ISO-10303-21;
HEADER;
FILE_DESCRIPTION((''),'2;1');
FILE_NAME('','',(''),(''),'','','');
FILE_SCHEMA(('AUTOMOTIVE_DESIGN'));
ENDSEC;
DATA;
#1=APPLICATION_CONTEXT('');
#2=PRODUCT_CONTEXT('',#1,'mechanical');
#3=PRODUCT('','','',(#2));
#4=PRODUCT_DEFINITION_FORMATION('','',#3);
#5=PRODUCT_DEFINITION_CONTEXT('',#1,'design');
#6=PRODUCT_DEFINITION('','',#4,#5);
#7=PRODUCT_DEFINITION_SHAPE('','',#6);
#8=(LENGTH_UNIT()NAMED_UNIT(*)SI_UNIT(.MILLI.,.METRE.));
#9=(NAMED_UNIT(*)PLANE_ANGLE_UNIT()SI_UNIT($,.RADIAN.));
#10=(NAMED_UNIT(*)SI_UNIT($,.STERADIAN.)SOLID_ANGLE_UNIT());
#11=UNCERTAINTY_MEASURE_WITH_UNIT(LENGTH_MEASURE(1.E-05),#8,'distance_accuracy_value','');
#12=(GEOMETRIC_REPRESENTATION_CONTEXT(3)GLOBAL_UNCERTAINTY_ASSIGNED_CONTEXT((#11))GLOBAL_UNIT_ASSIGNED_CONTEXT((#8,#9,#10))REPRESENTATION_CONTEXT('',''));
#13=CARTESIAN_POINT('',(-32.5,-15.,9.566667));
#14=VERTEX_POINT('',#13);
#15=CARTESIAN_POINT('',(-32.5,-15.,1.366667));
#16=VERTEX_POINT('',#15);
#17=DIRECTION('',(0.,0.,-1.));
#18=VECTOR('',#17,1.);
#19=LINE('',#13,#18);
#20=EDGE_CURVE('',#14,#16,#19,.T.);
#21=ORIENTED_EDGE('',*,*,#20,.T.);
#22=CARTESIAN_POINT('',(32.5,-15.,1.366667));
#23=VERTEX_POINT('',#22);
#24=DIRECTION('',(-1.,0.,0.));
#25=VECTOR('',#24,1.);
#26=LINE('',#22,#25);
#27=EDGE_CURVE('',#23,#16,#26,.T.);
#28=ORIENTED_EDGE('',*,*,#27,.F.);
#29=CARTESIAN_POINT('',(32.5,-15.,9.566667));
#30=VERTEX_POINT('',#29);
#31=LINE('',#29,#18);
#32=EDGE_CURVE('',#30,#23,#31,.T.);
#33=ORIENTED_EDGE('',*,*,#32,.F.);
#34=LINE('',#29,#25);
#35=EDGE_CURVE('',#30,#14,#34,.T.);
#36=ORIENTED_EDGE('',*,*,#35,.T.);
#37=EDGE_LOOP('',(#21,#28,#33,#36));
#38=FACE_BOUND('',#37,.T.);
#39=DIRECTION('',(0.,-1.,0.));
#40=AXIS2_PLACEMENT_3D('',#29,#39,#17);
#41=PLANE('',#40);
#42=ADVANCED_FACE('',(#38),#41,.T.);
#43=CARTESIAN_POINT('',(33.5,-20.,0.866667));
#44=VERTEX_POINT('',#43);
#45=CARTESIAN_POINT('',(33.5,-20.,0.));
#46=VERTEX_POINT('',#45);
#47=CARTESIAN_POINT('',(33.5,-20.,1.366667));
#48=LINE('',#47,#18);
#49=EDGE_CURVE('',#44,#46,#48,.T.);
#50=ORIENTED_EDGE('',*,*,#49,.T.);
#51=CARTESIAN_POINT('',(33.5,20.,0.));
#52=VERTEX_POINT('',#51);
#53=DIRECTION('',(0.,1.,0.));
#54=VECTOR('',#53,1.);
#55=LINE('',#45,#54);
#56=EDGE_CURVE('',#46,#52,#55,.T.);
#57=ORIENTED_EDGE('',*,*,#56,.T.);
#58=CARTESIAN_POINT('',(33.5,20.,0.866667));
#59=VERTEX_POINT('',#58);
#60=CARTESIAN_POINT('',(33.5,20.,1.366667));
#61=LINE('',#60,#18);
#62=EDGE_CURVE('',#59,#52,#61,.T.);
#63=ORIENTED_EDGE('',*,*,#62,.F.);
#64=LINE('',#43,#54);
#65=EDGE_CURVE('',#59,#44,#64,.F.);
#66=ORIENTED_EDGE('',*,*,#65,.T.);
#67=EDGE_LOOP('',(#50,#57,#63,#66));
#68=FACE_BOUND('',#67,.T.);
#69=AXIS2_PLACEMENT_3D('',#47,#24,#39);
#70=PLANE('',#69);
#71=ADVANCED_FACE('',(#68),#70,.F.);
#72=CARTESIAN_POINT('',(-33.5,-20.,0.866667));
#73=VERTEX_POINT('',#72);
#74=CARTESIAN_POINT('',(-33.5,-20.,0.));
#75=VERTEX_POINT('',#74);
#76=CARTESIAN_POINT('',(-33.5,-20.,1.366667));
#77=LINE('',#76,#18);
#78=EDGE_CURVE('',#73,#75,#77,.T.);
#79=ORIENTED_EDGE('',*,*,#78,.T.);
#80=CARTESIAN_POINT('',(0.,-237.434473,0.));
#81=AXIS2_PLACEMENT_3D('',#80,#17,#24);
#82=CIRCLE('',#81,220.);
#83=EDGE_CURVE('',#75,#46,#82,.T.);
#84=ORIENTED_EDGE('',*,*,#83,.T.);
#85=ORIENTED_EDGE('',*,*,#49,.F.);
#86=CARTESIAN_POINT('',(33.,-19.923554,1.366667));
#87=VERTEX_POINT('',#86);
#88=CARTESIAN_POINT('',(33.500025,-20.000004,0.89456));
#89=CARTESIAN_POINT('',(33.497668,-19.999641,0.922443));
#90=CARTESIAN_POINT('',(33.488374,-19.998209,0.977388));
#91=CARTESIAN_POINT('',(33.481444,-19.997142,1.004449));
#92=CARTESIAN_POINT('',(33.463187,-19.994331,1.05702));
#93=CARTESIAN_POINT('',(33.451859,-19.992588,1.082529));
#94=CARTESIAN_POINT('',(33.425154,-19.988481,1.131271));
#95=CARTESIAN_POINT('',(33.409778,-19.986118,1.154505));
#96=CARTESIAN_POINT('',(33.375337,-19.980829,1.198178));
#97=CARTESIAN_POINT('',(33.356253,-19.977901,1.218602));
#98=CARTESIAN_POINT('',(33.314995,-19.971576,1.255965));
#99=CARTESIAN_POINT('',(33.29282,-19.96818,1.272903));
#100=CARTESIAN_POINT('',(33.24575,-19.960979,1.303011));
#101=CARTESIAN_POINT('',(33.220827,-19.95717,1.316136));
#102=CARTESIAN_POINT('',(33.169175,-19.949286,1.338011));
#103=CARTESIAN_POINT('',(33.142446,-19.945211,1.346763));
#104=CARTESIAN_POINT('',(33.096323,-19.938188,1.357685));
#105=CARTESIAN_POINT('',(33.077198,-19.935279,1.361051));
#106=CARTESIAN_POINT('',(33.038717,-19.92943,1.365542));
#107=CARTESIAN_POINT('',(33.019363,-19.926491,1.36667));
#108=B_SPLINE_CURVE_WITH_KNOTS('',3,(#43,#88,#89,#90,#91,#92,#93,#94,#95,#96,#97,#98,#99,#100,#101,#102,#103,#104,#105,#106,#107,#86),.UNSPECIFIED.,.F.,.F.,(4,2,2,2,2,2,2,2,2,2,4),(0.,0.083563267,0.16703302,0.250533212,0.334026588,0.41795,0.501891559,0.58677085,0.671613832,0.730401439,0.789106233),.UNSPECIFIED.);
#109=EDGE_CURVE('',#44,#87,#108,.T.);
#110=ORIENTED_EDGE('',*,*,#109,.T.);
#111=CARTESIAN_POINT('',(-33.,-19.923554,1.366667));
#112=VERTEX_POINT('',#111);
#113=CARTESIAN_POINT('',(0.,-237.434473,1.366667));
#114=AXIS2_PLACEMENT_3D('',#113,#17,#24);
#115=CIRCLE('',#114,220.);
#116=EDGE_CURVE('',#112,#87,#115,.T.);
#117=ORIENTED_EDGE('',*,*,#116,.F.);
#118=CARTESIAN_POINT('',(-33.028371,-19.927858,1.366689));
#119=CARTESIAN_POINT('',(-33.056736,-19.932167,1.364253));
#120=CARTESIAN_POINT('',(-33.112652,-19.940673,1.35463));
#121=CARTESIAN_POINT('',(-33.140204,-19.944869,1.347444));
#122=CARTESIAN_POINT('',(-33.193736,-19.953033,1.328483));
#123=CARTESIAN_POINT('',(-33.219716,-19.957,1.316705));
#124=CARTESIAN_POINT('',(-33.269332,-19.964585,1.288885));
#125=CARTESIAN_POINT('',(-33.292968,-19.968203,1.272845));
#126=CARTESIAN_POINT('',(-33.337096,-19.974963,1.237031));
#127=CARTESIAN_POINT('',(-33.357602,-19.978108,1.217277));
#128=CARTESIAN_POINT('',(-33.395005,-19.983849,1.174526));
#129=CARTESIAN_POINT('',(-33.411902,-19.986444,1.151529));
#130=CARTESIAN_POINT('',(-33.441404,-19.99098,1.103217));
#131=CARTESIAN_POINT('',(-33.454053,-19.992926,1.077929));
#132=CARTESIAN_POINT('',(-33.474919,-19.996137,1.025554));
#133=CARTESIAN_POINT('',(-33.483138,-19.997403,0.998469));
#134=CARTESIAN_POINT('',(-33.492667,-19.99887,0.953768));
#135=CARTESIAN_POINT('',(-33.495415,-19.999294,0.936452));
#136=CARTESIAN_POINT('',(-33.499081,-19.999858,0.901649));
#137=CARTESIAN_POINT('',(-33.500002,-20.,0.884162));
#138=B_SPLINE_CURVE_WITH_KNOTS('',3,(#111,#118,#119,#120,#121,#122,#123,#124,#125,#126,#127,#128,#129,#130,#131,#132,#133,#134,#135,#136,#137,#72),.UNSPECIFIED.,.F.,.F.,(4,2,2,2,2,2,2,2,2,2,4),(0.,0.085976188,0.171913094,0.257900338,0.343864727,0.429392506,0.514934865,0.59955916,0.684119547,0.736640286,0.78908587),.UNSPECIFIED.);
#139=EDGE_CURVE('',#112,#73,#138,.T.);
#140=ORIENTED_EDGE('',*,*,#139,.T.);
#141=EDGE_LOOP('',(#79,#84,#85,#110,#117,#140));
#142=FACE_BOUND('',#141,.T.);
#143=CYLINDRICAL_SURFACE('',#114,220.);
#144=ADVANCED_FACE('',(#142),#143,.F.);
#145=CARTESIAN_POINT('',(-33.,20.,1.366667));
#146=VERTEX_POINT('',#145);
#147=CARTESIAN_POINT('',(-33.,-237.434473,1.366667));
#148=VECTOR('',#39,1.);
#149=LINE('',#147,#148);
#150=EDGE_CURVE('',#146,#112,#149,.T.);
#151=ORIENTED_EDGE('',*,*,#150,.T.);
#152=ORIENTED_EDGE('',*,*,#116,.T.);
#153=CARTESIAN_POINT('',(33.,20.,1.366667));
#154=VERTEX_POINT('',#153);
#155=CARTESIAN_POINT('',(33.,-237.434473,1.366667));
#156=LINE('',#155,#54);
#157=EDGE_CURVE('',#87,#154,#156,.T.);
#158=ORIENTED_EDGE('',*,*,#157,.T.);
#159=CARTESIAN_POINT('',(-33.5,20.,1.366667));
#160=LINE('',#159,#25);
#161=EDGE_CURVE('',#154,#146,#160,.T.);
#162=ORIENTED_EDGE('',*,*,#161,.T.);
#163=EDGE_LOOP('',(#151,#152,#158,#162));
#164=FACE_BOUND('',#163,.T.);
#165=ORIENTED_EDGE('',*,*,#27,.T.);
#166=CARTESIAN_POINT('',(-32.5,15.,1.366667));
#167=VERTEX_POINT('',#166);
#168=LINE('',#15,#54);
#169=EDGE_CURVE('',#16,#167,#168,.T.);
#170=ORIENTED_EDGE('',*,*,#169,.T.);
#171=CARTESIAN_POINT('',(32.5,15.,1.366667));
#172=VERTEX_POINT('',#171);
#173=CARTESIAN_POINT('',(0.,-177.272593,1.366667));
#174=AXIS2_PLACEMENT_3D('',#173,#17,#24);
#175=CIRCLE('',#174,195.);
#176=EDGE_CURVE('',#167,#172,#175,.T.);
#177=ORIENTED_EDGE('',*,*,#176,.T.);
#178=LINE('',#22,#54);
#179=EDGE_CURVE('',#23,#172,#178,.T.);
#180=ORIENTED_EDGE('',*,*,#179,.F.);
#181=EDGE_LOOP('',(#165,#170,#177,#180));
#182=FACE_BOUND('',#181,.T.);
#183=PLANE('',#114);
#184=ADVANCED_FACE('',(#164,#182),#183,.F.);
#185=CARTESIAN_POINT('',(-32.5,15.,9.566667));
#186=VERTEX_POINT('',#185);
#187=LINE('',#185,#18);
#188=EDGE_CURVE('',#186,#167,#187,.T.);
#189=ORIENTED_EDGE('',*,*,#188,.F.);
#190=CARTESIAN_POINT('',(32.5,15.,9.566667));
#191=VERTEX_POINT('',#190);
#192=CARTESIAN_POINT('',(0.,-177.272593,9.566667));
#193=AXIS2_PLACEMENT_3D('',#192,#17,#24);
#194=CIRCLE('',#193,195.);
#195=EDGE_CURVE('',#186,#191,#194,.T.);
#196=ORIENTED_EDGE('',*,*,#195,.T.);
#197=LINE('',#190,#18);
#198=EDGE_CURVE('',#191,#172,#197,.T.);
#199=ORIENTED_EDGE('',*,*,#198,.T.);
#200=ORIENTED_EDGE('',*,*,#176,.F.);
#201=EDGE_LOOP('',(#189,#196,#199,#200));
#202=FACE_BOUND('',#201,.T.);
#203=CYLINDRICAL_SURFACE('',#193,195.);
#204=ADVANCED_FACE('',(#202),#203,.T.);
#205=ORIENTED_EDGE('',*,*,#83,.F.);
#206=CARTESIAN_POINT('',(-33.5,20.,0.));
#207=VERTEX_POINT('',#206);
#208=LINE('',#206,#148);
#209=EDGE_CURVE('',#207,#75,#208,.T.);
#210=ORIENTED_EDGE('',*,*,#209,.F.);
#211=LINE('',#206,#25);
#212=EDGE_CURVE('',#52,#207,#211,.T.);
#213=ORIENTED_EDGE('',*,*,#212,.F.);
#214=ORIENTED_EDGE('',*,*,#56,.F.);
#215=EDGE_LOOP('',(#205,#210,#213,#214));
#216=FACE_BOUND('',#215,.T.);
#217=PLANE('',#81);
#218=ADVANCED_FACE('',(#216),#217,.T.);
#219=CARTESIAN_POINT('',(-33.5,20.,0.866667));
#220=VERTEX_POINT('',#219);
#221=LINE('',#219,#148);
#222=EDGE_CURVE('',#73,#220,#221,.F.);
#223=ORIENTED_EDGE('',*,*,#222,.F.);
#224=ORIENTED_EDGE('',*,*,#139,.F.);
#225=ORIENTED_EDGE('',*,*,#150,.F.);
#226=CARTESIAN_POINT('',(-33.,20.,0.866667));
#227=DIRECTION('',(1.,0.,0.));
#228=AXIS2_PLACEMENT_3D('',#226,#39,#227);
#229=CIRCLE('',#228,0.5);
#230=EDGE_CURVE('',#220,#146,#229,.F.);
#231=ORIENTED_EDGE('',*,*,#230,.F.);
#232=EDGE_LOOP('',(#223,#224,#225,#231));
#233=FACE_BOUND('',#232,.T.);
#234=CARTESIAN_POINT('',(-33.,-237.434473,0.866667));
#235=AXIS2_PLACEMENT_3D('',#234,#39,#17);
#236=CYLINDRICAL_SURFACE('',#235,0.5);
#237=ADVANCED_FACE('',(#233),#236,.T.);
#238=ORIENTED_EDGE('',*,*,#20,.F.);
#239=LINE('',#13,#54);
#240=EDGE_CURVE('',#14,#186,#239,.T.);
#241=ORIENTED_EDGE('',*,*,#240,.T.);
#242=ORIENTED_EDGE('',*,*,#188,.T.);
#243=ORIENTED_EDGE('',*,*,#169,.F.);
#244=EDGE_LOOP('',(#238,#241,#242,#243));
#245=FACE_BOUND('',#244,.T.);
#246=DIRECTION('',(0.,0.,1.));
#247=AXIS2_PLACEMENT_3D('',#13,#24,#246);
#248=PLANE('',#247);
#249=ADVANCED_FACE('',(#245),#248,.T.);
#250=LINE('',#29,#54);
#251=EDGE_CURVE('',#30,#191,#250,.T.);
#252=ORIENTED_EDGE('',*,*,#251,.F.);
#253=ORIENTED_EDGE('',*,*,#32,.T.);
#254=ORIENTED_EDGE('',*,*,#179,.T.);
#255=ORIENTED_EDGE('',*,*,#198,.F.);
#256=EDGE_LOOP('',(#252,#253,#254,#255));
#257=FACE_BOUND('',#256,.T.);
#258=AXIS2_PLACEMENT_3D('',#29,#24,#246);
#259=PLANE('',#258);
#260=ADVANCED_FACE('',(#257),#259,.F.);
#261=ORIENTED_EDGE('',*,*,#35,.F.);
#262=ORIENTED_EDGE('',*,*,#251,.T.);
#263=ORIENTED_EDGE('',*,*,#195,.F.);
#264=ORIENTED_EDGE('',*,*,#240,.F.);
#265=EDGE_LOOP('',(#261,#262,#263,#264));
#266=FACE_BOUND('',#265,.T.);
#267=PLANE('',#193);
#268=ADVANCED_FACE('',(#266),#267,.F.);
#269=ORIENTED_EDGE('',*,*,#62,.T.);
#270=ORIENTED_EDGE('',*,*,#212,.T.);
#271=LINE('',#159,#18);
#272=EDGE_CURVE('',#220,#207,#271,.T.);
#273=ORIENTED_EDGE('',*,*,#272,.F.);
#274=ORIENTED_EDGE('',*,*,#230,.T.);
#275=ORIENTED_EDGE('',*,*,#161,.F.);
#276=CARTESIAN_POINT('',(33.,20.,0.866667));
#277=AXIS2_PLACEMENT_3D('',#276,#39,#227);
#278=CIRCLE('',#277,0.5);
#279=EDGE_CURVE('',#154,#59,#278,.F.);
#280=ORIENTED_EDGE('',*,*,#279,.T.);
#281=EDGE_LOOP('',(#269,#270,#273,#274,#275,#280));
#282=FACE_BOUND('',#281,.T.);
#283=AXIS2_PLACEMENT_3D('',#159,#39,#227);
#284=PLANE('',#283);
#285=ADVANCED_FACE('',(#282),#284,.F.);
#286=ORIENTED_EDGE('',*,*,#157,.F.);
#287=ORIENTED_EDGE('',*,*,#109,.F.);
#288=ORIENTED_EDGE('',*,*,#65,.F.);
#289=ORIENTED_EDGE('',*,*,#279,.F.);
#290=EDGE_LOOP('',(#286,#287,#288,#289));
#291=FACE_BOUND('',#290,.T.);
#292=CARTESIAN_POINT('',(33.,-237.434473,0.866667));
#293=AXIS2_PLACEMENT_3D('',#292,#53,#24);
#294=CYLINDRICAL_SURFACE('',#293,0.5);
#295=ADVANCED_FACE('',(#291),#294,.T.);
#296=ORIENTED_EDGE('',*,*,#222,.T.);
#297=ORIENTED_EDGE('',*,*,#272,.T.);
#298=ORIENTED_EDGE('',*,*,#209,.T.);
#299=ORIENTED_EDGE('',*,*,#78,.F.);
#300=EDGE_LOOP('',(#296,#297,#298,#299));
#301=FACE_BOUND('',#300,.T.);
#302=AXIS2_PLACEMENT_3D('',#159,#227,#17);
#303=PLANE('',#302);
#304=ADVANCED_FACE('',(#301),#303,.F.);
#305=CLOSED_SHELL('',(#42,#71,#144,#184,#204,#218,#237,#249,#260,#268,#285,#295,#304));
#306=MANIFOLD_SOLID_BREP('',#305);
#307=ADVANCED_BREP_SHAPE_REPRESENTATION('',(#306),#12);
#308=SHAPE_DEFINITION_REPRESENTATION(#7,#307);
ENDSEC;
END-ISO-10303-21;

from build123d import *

# Parameters (mm, degrees)
BOSS_EXTRUDE1_DEPTH = 1.366666667
BOSS_EXTRUDE2_DEPTH = 8.2
FILLET1_R           = 0.5


with BuildPart() as part:
    # Sketch1 → Boss-Extrude1 (new body)
    with BuildSketch(Plane.XY):
        with BuildLine():
            Line((-33.5, 20), (-33.5, -20))
            ThreePointArc((-33.5, -20), (0, -17.434472888), (33.5, -20))
            Line((33.5, -20), (33.5, 20))
            Line((33.5, 20), (-33.5, 20))
        make_face()
    extrude(amount=BOSS_EXTRUDE1_DEPTH)

    # Sketch2 → Boss-Extrude2 (add)
    with BuildSketch(Plane.XY.offset(1.366666667)):
        with BuildLine():
            Line((32.5, -15), (-32.5, -15))
            Line((-32.5, -15), (-32.5, 15))
            ThreePointArc((-32.5, 15), (0, 17.727407049), (32.5, 15))
            Line((32.5, 15), (32.5, -15))
        make_face()
    extrude(amount=BOSS_EXTRUDE2_DEPTH)

    # Fillet1
    fillet1_edges = [part.edges().sort_by_distance(p)[0] for p in [
        (33.5, 0, 1.366666667),
        (-33.5, 0, 1.366666667),
    ]]
    fillet(fillet1_edges, radius=FILLET1_R)


solid = part.part
